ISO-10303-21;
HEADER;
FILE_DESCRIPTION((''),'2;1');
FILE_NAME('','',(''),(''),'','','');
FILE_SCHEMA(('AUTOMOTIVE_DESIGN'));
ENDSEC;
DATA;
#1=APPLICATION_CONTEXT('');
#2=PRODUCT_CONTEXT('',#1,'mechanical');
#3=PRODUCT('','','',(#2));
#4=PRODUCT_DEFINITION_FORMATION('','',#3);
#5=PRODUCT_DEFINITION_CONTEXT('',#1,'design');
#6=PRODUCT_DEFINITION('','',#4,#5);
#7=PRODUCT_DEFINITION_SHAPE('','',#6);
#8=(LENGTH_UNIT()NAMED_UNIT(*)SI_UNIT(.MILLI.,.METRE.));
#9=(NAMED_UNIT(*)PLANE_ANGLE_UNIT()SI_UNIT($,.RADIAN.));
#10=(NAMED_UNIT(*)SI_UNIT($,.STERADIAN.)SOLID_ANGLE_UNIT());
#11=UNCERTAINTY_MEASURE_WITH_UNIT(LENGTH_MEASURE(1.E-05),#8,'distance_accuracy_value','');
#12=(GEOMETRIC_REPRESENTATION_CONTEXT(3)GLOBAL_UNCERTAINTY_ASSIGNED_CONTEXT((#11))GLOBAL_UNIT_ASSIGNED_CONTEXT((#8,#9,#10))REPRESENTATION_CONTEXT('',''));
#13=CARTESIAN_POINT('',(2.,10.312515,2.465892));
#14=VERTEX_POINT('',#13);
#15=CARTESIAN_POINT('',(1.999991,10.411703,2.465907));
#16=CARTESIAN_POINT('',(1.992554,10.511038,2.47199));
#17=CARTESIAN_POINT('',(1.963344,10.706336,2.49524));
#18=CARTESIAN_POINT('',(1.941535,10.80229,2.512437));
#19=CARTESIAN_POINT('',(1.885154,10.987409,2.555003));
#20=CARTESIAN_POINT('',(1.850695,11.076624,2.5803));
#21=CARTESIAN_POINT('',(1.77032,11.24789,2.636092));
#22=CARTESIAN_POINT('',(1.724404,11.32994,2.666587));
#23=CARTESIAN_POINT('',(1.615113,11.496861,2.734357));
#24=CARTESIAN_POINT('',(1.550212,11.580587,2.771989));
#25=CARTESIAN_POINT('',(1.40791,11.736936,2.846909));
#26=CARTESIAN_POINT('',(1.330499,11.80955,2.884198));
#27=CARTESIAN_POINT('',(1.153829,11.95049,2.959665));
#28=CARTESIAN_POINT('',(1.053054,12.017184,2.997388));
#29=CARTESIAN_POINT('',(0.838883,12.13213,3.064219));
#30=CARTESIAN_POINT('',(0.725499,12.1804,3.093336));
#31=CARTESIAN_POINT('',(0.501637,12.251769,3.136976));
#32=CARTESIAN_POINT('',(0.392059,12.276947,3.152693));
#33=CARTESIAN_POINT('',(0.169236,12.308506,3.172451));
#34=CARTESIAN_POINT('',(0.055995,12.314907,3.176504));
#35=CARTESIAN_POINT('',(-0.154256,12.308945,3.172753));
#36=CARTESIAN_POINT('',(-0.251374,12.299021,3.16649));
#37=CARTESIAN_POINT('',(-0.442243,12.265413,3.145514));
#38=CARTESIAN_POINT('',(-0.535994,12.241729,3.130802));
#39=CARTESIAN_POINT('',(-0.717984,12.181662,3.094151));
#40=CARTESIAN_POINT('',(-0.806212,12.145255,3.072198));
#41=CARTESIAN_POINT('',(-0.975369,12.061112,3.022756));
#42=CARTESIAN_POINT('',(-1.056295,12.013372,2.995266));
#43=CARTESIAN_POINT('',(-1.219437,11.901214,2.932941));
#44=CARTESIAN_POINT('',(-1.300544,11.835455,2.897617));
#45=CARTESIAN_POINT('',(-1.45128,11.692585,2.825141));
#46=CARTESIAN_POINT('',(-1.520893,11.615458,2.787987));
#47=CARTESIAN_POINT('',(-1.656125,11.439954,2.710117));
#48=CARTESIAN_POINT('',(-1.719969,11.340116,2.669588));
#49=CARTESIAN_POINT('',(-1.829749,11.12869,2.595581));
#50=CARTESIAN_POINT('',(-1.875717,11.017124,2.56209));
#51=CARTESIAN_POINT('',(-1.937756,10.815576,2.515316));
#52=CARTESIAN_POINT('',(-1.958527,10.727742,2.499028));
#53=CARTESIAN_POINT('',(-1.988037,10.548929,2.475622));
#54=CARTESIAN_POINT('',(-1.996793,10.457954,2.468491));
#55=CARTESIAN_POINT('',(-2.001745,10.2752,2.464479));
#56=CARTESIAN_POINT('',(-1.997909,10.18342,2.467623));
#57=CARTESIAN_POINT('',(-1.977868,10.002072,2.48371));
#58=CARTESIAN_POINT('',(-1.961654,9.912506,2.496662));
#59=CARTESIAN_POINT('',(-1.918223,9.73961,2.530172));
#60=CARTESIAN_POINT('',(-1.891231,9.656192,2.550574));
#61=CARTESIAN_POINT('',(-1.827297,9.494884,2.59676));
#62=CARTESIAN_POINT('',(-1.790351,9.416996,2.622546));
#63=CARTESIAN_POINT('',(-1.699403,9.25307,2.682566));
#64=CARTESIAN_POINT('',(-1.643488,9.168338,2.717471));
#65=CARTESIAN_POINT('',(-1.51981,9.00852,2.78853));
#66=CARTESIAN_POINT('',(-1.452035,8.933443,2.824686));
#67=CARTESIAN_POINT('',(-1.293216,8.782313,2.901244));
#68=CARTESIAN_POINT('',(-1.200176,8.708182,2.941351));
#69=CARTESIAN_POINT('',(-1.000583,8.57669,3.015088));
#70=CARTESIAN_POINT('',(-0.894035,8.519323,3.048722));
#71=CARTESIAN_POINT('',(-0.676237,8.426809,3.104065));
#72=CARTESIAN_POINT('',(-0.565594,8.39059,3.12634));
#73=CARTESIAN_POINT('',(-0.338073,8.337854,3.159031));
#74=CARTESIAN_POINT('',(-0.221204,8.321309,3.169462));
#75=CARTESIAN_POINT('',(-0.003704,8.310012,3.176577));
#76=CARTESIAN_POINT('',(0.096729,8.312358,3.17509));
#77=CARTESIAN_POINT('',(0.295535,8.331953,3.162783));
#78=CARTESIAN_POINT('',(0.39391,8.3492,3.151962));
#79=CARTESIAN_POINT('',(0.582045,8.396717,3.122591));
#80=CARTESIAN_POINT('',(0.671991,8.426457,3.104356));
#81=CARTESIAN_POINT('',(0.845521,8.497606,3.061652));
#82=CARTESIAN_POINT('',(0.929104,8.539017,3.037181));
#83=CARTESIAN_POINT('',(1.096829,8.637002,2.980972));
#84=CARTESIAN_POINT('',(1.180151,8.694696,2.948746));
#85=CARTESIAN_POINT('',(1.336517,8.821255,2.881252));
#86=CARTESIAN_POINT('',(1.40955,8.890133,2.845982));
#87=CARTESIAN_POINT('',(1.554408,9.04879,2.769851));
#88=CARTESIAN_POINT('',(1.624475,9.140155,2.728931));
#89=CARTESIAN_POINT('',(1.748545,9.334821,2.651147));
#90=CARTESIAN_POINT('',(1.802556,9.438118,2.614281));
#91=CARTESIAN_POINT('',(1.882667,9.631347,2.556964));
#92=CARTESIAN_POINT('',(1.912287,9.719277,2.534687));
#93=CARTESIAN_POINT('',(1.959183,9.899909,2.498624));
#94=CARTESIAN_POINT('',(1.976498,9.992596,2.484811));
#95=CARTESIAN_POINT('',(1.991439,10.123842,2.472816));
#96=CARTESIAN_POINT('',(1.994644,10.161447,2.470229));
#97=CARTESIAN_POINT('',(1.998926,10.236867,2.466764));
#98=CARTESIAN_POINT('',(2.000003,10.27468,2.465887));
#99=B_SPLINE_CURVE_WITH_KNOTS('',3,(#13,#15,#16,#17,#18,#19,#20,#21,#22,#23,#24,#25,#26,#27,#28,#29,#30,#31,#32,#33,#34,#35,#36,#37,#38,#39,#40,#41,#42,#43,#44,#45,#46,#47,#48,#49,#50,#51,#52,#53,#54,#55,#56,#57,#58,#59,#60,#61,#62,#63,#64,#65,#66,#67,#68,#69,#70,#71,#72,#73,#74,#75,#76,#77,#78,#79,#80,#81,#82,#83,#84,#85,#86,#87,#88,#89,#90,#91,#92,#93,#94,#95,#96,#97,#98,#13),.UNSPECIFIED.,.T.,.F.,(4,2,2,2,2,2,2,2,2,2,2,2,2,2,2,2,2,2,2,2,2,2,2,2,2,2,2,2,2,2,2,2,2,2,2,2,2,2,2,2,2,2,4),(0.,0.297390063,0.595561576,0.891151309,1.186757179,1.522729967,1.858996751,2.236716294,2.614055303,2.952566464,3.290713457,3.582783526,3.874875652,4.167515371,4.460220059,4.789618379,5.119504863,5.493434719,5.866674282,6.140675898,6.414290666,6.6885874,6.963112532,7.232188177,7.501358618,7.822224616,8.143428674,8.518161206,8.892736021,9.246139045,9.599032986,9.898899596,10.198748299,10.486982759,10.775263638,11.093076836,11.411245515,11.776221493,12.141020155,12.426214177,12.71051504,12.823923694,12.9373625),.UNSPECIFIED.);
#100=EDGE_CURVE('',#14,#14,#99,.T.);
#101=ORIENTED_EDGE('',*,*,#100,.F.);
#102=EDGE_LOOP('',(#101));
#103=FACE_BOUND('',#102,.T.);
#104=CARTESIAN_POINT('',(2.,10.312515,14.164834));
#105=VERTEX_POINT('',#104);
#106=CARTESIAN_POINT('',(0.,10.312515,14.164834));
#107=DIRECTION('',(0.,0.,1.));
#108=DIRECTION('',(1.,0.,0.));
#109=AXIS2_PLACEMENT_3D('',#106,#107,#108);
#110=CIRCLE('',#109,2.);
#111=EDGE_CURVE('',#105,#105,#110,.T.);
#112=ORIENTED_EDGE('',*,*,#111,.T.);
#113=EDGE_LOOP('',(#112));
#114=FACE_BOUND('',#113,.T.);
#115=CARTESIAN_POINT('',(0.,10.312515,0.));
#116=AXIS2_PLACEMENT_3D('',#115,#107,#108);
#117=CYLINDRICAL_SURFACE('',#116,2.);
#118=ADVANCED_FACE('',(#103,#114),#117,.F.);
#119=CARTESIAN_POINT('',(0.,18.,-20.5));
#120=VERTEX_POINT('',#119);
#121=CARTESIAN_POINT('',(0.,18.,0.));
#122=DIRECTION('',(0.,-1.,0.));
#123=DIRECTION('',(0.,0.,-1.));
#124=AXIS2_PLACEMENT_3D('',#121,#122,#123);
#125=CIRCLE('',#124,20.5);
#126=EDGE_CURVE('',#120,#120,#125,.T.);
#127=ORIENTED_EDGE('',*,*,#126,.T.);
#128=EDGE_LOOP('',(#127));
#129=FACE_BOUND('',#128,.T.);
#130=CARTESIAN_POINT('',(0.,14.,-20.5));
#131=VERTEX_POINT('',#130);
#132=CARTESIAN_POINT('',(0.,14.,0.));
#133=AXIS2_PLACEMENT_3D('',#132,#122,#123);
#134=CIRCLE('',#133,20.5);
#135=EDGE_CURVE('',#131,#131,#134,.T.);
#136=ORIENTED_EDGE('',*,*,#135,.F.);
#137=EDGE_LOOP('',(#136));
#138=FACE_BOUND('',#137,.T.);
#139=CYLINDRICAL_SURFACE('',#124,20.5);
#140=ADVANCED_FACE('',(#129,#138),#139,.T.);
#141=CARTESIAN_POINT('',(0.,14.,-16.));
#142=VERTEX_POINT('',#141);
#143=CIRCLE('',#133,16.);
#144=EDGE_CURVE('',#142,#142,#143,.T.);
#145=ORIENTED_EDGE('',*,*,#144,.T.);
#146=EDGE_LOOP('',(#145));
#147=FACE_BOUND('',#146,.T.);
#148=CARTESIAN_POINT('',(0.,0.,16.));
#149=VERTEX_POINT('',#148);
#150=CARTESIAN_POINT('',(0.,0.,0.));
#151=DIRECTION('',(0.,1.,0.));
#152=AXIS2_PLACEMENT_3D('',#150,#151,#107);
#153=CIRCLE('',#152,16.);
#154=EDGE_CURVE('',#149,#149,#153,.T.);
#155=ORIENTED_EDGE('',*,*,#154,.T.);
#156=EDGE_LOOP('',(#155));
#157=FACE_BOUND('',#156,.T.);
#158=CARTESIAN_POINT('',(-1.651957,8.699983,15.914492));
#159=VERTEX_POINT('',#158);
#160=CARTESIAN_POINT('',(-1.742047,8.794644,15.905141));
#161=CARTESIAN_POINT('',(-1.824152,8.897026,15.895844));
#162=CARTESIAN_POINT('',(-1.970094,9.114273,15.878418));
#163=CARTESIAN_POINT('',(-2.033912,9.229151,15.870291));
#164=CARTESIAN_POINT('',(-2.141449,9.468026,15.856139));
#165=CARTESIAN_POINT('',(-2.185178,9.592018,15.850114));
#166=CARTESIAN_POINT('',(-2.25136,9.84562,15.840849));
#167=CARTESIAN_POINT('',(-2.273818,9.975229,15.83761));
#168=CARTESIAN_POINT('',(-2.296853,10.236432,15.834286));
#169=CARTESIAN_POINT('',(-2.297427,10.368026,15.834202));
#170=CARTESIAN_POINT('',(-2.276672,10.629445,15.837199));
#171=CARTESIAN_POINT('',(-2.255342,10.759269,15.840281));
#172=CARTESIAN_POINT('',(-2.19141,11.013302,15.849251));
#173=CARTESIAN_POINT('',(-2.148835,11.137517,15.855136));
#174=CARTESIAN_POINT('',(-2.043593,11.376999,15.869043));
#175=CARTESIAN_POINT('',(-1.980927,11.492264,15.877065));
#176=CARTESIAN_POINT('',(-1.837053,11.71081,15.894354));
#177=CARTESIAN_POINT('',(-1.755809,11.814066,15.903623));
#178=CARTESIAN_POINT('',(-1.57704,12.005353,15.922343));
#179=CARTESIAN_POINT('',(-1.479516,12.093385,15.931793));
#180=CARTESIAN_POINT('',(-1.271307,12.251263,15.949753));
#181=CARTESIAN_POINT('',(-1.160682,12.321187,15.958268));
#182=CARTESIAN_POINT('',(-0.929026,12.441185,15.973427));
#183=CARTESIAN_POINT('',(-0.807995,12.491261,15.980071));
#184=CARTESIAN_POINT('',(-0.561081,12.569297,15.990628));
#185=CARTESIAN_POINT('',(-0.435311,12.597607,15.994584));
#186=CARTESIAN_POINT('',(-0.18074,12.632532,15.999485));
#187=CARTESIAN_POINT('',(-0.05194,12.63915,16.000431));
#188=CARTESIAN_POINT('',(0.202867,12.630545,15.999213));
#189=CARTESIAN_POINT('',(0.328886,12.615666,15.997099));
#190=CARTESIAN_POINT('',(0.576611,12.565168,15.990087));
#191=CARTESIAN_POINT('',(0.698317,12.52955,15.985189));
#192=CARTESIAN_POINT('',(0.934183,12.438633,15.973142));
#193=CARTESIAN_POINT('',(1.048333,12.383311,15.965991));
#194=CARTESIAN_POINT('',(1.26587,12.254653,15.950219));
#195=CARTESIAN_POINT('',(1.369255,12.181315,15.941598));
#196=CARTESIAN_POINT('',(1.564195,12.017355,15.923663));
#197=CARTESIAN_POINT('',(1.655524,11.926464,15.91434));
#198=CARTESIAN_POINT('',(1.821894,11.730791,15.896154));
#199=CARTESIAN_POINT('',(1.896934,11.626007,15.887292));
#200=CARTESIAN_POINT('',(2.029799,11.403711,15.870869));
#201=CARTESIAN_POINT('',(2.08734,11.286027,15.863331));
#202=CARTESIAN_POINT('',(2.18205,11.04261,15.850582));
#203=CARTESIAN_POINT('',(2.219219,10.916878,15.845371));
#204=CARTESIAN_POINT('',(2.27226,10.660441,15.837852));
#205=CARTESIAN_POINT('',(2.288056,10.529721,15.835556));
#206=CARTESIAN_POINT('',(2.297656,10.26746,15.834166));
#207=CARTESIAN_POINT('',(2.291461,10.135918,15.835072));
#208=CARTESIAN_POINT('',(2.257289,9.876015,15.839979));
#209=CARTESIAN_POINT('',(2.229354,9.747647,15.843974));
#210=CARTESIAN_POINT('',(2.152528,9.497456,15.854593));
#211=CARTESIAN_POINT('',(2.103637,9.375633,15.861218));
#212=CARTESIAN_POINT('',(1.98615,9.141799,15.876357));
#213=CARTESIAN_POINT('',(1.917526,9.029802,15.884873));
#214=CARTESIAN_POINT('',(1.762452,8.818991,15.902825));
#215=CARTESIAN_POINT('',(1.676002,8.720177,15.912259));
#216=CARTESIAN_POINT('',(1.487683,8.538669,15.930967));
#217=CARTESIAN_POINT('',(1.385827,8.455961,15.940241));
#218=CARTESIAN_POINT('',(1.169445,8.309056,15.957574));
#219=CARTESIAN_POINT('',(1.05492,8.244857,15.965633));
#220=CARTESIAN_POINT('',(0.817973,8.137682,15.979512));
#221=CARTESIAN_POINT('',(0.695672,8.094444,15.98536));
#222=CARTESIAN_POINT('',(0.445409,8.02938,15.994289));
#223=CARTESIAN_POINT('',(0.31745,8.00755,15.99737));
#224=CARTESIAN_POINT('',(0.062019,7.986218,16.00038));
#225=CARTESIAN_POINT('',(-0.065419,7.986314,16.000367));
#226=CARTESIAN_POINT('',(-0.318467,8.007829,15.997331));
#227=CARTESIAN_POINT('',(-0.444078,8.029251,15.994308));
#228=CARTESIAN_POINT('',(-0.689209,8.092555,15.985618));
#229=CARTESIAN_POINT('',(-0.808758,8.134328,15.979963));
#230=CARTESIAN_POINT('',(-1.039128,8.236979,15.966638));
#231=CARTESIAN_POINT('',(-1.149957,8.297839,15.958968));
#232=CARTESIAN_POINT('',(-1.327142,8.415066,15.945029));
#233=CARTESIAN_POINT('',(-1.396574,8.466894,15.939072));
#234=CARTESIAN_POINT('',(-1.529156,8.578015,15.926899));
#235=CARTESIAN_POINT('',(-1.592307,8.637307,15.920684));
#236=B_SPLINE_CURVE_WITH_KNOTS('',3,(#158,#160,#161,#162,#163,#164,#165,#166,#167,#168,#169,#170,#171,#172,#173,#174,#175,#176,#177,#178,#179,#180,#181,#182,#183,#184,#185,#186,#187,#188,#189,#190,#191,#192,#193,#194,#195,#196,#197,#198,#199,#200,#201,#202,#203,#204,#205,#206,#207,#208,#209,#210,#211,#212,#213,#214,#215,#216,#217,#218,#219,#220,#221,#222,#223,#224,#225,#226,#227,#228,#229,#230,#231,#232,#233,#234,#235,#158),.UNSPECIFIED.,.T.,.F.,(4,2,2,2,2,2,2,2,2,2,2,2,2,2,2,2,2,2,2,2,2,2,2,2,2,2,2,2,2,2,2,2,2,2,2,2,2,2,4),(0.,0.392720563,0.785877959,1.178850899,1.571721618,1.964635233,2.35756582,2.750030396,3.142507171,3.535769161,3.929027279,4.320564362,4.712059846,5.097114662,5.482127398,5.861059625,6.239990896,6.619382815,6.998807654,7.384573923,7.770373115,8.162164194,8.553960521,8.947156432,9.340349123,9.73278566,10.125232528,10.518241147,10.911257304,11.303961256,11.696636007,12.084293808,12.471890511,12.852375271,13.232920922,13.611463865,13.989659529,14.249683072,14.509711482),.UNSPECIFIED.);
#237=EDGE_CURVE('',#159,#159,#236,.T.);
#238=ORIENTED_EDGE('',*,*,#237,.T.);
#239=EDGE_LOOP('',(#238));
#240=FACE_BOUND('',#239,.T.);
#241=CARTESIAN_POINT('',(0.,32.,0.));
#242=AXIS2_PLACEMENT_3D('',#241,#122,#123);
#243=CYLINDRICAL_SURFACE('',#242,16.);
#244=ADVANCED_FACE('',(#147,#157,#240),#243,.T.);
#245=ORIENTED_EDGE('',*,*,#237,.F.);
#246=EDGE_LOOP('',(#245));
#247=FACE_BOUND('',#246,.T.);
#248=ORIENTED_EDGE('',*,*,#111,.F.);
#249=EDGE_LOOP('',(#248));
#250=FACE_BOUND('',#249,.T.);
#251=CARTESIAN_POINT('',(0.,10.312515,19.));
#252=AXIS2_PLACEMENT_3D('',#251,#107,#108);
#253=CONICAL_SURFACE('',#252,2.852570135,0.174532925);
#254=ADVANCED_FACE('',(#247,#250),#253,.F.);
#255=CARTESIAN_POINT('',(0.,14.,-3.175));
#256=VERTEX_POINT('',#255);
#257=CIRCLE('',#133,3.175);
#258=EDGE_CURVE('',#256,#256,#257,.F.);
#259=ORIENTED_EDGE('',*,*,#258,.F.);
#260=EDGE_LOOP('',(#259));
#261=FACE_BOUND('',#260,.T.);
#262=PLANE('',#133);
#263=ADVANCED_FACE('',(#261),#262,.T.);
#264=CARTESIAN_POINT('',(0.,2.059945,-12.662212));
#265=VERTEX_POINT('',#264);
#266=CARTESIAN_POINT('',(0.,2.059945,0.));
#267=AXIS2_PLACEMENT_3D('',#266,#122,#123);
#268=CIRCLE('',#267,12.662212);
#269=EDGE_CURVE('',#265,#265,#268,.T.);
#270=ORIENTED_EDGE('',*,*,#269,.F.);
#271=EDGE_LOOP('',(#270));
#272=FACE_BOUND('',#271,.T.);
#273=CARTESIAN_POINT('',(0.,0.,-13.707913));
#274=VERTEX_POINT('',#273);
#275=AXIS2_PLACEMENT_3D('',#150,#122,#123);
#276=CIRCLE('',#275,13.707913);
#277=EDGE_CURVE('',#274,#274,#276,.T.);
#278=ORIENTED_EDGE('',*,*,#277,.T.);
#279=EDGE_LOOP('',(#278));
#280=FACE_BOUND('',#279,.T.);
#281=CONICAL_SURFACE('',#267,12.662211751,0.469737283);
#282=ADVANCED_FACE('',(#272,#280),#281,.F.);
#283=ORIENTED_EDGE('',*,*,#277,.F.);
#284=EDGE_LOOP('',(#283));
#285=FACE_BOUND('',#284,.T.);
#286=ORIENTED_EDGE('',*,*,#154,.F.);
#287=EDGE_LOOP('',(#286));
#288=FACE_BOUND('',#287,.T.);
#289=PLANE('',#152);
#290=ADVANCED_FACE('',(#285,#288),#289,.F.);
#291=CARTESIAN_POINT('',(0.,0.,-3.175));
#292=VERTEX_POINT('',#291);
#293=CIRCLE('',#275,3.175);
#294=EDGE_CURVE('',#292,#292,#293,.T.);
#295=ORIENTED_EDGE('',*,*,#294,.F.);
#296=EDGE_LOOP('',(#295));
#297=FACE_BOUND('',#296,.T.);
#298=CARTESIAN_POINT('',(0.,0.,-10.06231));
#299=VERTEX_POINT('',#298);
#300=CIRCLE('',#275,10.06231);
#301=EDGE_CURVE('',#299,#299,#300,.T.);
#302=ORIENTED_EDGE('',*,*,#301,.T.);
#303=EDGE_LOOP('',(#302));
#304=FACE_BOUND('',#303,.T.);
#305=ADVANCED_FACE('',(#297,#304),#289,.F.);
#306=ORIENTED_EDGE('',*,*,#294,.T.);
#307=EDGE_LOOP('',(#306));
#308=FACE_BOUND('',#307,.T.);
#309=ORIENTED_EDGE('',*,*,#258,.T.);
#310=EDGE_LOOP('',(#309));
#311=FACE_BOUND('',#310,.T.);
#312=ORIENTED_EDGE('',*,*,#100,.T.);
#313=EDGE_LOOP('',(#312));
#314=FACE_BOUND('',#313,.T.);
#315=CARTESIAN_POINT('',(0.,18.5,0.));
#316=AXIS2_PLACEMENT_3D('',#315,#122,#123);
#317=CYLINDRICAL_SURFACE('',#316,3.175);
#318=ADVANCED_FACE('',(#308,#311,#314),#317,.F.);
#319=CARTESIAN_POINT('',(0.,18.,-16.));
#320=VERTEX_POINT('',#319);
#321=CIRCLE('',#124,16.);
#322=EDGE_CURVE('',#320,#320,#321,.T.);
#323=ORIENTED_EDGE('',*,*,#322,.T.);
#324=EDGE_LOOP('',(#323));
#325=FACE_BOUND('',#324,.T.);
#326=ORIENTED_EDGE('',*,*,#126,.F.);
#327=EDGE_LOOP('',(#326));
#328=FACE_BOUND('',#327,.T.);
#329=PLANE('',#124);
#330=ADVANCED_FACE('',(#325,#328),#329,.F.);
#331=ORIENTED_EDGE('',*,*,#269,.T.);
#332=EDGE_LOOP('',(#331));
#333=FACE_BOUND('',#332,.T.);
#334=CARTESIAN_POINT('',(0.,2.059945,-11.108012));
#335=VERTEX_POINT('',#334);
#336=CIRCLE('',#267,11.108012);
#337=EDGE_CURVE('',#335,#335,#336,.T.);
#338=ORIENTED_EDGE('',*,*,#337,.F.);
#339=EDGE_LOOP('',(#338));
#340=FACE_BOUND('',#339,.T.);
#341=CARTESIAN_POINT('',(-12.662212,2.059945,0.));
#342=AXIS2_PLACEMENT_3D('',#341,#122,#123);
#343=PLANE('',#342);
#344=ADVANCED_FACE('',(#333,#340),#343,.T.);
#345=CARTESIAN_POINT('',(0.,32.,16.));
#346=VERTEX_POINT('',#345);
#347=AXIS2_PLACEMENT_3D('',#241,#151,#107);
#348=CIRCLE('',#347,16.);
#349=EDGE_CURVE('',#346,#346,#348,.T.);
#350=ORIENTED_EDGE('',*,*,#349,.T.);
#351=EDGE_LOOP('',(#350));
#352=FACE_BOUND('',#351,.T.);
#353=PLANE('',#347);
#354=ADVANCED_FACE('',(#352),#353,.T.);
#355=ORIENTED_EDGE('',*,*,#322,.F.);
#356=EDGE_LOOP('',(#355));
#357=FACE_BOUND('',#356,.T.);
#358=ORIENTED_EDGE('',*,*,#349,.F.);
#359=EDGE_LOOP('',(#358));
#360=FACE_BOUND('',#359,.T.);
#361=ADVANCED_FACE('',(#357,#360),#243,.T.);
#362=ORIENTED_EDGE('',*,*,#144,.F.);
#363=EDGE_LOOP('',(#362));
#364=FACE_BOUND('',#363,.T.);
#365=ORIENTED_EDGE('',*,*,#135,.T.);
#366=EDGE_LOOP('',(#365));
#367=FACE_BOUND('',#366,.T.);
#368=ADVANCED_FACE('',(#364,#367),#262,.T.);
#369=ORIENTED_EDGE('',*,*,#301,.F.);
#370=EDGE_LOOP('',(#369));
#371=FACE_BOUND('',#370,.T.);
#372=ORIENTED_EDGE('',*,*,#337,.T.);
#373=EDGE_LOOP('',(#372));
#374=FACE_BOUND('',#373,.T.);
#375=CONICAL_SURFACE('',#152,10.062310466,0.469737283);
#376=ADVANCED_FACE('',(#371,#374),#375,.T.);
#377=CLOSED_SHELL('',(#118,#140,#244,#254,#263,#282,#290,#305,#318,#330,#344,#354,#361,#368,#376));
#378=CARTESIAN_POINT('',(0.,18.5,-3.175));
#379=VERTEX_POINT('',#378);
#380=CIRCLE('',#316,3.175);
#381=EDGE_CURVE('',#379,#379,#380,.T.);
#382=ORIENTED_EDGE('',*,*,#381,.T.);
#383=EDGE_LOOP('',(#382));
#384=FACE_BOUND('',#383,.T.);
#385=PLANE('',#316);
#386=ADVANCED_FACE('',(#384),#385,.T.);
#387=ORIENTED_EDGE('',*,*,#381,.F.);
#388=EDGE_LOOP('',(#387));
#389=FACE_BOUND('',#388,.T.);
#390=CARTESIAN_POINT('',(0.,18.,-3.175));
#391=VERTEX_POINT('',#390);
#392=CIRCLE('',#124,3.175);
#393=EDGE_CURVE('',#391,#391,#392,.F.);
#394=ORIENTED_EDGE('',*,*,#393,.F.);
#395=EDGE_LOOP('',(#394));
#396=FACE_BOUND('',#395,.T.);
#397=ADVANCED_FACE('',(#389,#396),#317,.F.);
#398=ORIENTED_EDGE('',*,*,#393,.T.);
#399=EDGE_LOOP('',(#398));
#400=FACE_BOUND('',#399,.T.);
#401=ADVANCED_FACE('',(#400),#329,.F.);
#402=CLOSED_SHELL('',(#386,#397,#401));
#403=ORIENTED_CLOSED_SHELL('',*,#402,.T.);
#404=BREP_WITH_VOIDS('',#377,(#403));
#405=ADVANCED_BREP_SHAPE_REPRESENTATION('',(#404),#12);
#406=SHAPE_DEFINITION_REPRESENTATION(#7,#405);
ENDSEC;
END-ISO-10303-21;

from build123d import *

# Parameters (mm, degrees)
SKETCH1_R          = 16
EXTRUDE1_DEPTH     = 32
SKETCH2_R          = 3.175
EXTRUDE2_DEPTH     = 18.5
SKETCH5_R          = 20.5
EXTRUDE3_DEPTH     = 4
CUT_EXTRUDE1_START = 20
SKETCH6_R          = 2
CUT_EXTRUDE1_DEPTH = 20
CUT_EXTRUDE3_START = 19
SKETCH7_R          = 2.852570135
CUT_EXTRUDE3_DEPTH = 5
CUT_EXTRUDE3_DRAFT = -10


with BuildPart() as part:
    # Sketch1 → Extrude1 (new body)
    with BuildSketch(Plane(origin=(0, 0, 0), x_dir=(1, 0, 0), z_dir=(0, 1, 0))):
        with Locations(Location((0, 0, 0), (0, 0, 270))):
            Circle(SKETCH1_R)
    extrude(amount=EXTRUDE1_DEPTH)

    # Sketch2 → Extrude2 (cut)
    with BuildSketch(Plane.XZ):
        with Locations(Location((0, 0, 0), (0, 0, 270))):
            Circle(SKETCH2_R)
    extrude(amount=-EXTRUDE2_DEPTH, mode=Mode.SUBTRACT)

    # Cut-Sweep1: sweep along a path in Sketch4
    with BuildLine(Plane(origin=(0, 0, 0), x_dir=(1, 0, 0), z_dir=(0, 1, 0))) as cut_sweep1_path:
        CenterArc((0, 0), 11.89136951, 0, 360)
    # Sketch3 → Cut-Sweep1 (sweep, cut)
    with BuildSketch(Plane.XY):
        Polygon((-13.707912963, 0), (-12.662211751, 2.059945265), (-11.108011678, 2.059945265), (-10.062310466, 0), align=None)
    sweep(path=cut_sweep1_path.line, mode=Mode.SUBTRACT)

    # Sketch5 → Extrude3 (add)
    with BuildSketch(Plane.XZ.offset(-14)):
        with Locations(Location((0, 0, 0), (0, 0, 270))):
            Circle(SKETCH5_R)
    extrude(amount=-EXTRUDE3_DEPTH)

    # Sketch6 → Cut-Extrude1 (cut)
    with BuildSketch(Plane.XY.offset(CUT_EXTRUDE1_START)):
        with Locations((0, 10.312515401)):
            Circle(SKETCH6_R)
    extrude(amount=-CUT_EXTRUDE1_DEPTH, mode=Mode.SUBTRACT)


with BuildPart() as cut_extrude3_tool:
    # Sketch7 → Cut-Extrude3 (with draft: the straight prism first)
    with BuildSketch(Plane.XY.offset(CUT_EXTRUDE3_START)):
        with Locations((0, 10.312515401)):
            Circle(SKETCH7_R)
    extrude(amount=-CUT_EXTRUDE3_DEPTH)
    # Cut-Extrude3: the draft: its side faces are tilted about the plane it starts from
    cut_extrude3_sides = [cut_extrude3_tool.faces().sort_by_distance(p)[0] for p in [
        (-2.852570135, 10.312515401, 16.5),
    ]]
    draft(cut_extrude3_sides, Plane.XY.offset(CUT_EXTRUDE3_START), CUT_EXTRUDE3_DRAFT)


with BuildPart() as part_1:
    add(part.part)

    # Cut-Extrude3: cut by cut_extrude3_tool
    add(cut_extrude3_tool.part, mode=Mode.SUBTRACT)


solid = part_1.part
